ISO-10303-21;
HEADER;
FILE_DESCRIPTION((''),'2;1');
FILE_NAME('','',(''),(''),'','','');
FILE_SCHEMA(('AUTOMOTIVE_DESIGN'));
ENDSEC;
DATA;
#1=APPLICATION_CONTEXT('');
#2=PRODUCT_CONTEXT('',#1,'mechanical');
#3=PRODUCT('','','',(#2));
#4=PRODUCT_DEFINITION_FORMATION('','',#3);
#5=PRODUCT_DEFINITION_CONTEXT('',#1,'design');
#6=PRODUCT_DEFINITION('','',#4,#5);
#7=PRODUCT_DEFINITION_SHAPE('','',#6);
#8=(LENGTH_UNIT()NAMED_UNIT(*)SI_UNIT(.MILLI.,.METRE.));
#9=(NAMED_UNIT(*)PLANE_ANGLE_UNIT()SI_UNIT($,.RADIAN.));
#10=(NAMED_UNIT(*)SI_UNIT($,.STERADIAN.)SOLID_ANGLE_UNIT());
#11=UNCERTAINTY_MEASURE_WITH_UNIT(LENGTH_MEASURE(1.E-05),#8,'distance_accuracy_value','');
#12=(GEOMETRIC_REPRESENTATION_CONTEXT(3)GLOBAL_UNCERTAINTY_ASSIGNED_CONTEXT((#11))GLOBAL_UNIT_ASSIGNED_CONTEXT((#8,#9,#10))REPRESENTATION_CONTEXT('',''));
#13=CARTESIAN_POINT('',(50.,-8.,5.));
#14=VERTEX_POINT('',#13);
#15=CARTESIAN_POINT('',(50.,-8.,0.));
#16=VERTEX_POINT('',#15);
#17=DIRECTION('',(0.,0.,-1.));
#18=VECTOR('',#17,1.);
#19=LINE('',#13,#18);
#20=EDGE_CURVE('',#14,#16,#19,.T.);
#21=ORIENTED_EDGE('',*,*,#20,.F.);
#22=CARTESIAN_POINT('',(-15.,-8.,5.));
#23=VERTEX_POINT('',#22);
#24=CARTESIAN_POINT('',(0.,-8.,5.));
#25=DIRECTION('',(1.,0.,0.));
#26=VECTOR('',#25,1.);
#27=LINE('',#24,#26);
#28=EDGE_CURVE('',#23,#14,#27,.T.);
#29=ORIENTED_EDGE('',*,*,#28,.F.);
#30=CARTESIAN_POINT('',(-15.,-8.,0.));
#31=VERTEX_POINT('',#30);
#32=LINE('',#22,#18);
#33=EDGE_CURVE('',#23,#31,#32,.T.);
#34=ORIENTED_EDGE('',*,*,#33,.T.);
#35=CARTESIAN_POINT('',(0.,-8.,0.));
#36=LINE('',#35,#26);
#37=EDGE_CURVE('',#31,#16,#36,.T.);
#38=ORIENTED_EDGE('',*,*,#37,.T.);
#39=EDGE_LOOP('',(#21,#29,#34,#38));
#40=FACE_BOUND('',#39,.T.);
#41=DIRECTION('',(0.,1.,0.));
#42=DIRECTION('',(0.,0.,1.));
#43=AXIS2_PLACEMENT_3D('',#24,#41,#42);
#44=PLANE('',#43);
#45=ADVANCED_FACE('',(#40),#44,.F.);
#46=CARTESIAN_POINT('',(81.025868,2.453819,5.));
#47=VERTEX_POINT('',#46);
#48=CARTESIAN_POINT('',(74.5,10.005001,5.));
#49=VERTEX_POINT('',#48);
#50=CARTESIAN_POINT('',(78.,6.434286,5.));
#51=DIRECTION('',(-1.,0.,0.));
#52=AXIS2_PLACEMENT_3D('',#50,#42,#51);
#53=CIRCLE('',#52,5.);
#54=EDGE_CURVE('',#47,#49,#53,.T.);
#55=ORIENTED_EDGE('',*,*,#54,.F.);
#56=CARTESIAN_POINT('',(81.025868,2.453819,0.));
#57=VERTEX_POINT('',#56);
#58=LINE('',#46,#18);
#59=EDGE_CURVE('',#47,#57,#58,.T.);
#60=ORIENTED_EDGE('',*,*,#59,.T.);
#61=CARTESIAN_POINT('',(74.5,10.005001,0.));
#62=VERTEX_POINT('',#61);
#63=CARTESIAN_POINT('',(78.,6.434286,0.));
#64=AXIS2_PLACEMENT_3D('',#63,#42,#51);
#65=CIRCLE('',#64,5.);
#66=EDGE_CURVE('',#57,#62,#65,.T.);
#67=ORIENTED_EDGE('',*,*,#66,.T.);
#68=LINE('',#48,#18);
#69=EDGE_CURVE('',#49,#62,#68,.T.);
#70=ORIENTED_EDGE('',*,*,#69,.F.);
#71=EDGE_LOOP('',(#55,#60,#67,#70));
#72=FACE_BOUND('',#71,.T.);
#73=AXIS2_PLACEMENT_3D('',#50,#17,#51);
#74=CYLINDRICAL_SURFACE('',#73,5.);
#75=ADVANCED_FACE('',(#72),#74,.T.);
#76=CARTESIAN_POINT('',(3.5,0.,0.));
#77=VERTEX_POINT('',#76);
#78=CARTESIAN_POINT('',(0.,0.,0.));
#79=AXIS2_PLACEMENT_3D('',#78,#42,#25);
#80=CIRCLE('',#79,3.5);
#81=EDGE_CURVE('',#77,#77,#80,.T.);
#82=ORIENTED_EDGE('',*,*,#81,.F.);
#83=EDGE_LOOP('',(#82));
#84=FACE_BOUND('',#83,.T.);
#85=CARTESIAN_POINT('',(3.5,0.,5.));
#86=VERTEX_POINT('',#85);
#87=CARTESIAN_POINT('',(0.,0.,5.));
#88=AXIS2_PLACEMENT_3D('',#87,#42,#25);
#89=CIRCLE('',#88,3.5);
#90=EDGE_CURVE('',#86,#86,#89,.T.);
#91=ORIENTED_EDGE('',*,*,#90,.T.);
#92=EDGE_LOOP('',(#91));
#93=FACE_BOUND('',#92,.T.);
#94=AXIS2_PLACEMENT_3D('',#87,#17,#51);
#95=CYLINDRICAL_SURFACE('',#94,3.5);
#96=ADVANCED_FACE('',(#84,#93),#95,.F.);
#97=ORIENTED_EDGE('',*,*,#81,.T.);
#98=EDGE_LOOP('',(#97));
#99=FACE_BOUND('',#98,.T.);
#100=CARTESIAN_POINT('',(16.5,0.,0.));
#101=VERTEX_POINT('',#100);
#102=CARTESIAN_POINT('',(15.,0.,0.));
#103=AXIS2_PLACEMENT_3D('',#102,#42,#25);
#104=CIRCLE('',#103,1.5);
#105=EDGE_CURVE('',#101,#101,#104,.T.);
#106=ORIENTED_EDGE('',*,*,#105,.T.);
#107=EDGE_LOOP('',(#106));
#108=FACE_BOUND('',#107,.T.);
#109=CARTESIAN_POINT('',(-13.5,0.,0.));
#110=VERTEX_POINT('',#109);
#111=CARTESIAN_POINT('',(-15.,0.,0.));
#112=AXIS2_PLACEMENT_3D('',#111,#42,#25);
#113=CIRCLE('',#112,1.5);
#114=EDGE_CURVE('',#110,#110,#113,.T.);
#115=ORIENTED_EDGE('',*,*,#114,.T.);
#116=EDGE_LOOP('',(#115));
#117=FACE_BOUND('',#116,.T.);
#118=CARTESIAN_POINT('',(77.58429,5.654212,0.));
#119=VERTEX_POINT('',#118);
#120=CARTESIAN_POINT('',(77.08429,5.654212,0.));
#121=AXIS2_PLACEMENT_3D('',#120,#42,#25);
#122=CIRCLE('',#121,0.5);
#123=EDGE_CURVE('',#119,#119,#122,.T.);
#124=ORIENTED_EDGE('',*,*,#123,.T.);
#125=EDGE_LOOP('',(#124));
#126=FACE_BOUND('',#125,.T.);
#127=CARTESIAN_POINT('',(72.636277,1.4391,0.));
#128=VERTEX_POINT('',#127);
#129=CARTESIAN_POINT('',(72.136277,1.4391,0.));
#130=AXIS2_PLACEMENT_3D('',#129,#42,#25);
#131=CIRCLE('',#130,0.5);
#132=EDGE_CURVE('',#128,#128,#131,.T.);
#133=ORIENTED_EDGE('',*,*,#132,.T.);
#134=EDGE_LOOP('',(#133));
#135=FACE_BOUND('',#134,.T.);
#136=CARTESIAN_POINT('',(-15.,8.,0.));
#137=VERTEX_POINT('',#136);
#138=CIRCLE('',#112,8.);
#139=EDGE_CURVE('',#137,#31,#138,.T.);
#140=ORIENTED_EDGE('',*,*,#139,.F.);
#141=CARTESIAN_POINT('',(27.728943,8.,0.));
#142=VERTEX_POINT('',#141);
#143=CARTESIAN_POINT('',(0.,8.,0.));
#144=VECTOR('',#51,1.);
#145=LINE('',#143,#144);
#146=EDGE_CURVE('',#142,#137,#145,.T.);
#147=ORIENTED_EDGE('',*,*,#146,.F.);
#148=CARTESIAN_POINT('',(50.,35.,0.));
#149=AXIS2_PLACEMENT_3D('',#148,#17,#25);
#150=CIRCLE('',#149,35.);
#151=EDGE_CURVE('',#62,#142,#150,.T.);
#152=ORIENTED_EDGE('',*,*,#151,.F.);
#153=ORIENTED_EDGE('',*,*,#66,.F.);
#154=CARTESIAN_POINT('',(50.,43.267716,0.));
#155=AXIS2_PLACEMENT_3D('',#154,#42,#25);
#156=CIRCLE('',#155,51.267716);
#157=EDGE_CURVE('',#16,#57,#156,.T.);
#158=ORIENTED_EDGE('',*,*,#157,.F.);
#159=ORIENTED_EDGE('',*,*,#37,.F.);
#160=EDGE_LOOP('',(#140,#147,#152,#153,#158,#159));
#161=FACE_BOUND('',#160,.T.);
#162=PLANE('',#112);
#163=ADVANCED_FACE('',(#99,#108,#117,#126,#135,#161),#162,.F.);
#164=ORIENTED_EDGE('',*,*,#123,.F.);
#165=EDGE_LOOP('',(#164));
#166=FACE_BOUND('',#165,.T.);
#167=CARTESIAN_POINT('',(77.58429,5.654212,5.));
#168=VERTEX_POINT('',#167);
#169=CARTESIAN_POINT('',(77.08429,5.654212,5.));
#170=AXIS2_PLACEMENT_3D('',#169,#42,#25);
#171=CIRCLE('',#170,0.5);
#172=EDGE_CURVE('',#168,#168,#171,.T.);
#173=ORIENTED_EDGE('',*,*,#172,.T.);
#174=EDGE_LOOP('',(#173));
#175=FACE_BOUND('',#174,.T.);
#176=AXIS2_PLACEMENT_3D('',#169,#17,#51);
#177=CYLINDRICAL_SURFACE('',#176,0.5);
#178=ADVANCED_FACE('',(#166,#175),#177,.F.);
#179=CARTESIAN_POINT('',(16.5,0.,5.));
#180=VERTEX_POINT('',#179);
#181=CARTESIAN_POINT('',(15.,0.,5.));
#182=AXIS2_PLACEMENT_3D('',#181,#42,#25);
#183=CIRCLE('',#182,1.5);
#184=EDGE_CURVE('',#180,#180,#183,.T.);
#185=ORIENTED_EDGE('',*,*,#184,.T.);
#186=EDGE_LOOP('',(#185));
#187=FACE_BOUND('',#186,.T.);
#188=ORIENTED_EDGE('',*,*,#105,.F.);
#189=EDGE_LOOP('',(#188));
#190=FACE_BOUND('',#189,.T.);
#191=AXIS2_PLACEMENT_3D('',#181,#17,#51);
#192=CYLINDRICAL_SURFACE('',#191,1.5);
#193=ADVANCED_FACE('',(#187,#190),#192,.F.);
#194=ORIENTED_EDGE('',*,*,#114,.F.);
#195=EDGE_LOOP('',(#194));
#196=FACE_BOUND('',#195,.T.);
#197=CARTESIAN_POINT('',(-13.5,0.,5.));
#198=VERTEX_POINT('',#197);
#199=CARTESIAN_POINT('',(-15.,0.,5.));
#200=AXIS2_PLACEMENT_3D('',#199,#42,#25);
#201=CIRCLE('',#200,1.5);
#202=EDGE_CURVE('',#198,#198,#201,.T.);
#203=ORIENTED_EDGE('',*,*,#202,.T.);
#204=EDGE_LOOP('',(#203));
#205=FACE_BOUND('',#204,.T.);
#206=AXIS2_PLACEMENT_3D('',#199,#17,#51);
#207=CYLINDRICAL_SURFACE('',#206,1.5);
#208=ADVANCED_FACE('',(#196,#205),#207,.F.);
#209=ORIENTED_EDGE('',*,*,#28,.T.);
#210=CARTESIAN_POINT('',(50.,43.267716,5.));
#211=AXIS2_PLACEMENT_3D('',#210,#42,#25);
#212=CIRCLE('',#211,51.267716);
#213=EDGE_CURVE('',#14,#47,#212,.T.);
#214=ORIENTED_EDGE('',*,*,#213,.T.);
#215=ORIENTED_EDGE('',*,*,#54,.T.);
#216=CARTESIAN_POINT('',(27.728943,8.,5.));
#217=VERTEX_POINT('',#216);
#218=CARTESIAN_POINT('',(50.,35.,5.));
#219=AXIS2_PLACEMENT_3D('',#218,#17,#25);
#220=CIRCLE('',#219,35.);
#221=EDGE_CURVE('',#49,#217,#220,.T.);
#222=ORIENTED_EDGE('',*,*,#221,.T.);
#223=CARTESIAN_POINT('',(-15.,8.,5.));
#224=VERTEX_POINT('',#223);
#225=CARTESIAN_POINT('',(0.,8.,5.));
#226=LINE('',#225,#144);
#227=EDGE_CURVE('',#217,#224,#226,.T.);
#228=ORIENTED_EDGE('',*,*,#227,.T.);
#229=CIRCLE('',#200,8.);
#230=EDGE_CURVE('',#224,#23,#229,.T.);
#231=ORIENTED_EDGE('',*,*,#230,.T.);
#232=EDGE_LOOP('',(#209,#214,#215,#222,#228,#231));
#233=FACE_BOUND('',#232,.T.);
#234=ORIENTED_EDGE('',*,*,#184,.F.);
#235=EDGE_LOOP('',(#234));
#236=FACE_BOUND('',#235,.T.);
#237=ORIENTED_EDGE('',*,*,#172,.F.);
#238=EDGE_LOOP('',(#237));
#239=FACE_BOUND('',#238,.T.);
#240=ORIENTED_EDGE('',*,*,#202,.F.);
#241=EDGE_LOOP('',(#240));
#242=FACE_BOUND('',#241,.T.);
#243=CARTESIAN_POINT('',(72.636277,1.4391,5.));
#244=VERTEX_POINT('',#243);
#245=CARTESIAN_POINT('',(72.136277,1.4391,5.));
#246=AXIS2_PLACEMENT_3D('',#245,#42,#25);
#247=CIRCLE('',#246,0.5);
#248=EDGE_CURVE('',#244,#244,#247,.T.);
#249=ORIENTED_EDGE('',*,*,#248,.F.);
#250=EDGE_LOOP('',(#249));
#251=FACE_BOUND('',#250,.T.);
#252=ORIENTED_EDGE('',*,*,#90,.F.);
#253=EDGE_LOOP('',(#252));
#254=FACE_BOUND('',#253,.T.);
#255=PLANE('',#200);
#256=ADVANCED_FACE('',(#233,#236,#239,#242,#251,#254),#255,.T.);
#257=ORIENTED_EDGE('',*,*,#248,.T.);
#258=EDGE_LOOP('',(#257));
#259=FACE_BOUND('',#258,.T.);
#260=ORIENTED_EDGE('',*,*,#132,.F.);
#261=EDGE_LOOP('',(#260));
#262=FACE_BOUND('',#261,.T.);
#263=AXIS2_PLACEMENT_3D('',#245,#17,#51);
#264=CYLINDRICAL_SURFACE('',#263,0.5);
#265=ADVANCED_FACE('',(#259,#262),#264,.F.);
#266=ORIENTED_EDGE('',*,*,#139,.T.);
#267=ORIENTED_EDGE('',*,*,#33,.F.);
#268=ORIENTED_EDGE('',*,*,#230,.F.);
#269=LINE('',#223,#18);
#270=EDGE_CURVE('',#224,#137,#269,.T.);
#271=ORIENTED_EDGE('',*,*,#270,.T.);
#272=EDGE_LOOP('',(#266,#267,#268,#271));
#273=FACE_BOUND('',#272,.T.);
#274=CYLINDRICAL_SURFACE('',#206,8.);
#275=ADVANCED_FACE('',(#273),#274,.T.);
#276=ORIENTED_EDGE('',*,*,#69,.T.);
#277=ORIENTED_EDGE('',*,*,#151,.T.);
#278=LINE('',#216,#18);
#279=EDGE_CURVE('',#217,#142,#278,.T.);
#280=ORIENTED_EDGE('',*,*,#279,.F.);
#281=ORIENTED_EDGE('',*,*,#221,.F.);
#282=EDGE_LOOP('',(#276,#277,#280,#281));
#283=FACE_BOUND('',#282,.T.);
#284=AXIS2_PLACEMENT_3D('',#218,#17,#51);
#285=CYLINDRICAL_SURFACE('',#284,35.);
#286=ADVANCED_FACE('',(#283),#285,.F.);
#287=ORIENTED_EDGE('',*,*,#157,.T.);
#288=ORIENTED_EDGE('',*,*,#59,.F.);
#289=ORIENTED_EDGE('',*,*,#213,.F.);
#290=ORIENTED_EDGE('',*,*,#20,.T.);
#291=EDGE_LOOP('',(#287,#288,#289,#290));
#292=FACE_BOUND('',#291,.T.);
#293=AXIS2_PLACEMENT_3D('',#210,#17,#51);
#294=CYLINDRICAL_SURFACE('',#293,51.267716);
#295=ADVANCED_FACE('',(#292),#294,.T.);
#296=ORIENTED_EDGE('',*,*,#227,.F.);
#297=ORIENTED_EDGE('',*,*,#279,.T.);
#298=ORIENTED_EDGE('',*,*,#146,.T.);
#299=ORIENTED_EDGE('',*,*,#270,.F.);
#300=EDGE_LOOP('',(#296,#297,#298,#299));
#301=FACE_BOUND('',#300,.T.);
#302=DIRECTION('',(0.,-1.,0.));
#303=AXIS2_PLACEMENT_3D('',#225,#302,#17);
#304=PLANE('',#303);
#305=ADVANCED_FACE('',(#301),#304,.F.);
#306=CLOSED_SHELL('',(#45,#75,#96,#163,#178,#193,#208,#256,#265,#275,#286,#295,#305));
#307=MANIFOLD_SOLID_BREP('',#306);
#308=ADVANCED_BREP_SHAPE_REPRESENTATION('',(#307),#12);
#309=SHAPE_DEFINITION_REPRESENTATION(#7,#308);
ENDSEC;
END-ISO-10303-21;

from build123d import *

# Parameters (mm, degrees)
ESQUISSE1_R        = 0.5
ESQUISSE1_R_2      = 1.5
ESQUISSE1_R_3      = 3.5
BOSS_EXTRU_1_DEPTH = 5


with BuildPart() as part:
    # Esquisse1 → Boss.-Extru.1 (new body)
    with BuildSketch(Plane.XY):
        with BuildLine():
            Line((0, 8), (20, 8))
            Line((20, 8), (27.728942549, 8))
            ThreePointArc((27.728942549, 8), (51.499017336, 0.032115491), (74.5, 10.0050005))
            ThreePointArc((74.5, 10.0050005), (81.783026213, 9.703645958), (81.02586797, 2.453818596))
            ThreePointArc((81.02586797, 2.453818596), (66.369841222, -5.316304031), (50, -8))
            Line((50, -8), (0, -8))
            Line((0, -8), (-15, -8))
            ThreePointArc((-15, -8), (-23, 0), (-15, 8))
            Line((-15, 8), (0, 8))
        make_face()
        with Locations((77.084290067, 5.654211565)):
            Circle(ESQUISSE1_R, mode=Mode.SUBTRACT)
        with Locations((15, 0)):
            Circle(ESQUISSE1_R_2, mode=Mode.SUBTRACT)
        with Locations((-15, 0)):
            Circle(ESQUISSE1_R_2, mode=Mode.SUBTRACT)
        Circle(ESQUISSE1_R_3, mode=Mode.SUBTRACT)
        with Locations((72.136277137, 1.439099698)):
            Circle(ESQUISSE1_R, mode=Mode.SUBTRACT)
    extrude(amount=BOSS_EXTRU_1_DEPTH)


solid = part.part
